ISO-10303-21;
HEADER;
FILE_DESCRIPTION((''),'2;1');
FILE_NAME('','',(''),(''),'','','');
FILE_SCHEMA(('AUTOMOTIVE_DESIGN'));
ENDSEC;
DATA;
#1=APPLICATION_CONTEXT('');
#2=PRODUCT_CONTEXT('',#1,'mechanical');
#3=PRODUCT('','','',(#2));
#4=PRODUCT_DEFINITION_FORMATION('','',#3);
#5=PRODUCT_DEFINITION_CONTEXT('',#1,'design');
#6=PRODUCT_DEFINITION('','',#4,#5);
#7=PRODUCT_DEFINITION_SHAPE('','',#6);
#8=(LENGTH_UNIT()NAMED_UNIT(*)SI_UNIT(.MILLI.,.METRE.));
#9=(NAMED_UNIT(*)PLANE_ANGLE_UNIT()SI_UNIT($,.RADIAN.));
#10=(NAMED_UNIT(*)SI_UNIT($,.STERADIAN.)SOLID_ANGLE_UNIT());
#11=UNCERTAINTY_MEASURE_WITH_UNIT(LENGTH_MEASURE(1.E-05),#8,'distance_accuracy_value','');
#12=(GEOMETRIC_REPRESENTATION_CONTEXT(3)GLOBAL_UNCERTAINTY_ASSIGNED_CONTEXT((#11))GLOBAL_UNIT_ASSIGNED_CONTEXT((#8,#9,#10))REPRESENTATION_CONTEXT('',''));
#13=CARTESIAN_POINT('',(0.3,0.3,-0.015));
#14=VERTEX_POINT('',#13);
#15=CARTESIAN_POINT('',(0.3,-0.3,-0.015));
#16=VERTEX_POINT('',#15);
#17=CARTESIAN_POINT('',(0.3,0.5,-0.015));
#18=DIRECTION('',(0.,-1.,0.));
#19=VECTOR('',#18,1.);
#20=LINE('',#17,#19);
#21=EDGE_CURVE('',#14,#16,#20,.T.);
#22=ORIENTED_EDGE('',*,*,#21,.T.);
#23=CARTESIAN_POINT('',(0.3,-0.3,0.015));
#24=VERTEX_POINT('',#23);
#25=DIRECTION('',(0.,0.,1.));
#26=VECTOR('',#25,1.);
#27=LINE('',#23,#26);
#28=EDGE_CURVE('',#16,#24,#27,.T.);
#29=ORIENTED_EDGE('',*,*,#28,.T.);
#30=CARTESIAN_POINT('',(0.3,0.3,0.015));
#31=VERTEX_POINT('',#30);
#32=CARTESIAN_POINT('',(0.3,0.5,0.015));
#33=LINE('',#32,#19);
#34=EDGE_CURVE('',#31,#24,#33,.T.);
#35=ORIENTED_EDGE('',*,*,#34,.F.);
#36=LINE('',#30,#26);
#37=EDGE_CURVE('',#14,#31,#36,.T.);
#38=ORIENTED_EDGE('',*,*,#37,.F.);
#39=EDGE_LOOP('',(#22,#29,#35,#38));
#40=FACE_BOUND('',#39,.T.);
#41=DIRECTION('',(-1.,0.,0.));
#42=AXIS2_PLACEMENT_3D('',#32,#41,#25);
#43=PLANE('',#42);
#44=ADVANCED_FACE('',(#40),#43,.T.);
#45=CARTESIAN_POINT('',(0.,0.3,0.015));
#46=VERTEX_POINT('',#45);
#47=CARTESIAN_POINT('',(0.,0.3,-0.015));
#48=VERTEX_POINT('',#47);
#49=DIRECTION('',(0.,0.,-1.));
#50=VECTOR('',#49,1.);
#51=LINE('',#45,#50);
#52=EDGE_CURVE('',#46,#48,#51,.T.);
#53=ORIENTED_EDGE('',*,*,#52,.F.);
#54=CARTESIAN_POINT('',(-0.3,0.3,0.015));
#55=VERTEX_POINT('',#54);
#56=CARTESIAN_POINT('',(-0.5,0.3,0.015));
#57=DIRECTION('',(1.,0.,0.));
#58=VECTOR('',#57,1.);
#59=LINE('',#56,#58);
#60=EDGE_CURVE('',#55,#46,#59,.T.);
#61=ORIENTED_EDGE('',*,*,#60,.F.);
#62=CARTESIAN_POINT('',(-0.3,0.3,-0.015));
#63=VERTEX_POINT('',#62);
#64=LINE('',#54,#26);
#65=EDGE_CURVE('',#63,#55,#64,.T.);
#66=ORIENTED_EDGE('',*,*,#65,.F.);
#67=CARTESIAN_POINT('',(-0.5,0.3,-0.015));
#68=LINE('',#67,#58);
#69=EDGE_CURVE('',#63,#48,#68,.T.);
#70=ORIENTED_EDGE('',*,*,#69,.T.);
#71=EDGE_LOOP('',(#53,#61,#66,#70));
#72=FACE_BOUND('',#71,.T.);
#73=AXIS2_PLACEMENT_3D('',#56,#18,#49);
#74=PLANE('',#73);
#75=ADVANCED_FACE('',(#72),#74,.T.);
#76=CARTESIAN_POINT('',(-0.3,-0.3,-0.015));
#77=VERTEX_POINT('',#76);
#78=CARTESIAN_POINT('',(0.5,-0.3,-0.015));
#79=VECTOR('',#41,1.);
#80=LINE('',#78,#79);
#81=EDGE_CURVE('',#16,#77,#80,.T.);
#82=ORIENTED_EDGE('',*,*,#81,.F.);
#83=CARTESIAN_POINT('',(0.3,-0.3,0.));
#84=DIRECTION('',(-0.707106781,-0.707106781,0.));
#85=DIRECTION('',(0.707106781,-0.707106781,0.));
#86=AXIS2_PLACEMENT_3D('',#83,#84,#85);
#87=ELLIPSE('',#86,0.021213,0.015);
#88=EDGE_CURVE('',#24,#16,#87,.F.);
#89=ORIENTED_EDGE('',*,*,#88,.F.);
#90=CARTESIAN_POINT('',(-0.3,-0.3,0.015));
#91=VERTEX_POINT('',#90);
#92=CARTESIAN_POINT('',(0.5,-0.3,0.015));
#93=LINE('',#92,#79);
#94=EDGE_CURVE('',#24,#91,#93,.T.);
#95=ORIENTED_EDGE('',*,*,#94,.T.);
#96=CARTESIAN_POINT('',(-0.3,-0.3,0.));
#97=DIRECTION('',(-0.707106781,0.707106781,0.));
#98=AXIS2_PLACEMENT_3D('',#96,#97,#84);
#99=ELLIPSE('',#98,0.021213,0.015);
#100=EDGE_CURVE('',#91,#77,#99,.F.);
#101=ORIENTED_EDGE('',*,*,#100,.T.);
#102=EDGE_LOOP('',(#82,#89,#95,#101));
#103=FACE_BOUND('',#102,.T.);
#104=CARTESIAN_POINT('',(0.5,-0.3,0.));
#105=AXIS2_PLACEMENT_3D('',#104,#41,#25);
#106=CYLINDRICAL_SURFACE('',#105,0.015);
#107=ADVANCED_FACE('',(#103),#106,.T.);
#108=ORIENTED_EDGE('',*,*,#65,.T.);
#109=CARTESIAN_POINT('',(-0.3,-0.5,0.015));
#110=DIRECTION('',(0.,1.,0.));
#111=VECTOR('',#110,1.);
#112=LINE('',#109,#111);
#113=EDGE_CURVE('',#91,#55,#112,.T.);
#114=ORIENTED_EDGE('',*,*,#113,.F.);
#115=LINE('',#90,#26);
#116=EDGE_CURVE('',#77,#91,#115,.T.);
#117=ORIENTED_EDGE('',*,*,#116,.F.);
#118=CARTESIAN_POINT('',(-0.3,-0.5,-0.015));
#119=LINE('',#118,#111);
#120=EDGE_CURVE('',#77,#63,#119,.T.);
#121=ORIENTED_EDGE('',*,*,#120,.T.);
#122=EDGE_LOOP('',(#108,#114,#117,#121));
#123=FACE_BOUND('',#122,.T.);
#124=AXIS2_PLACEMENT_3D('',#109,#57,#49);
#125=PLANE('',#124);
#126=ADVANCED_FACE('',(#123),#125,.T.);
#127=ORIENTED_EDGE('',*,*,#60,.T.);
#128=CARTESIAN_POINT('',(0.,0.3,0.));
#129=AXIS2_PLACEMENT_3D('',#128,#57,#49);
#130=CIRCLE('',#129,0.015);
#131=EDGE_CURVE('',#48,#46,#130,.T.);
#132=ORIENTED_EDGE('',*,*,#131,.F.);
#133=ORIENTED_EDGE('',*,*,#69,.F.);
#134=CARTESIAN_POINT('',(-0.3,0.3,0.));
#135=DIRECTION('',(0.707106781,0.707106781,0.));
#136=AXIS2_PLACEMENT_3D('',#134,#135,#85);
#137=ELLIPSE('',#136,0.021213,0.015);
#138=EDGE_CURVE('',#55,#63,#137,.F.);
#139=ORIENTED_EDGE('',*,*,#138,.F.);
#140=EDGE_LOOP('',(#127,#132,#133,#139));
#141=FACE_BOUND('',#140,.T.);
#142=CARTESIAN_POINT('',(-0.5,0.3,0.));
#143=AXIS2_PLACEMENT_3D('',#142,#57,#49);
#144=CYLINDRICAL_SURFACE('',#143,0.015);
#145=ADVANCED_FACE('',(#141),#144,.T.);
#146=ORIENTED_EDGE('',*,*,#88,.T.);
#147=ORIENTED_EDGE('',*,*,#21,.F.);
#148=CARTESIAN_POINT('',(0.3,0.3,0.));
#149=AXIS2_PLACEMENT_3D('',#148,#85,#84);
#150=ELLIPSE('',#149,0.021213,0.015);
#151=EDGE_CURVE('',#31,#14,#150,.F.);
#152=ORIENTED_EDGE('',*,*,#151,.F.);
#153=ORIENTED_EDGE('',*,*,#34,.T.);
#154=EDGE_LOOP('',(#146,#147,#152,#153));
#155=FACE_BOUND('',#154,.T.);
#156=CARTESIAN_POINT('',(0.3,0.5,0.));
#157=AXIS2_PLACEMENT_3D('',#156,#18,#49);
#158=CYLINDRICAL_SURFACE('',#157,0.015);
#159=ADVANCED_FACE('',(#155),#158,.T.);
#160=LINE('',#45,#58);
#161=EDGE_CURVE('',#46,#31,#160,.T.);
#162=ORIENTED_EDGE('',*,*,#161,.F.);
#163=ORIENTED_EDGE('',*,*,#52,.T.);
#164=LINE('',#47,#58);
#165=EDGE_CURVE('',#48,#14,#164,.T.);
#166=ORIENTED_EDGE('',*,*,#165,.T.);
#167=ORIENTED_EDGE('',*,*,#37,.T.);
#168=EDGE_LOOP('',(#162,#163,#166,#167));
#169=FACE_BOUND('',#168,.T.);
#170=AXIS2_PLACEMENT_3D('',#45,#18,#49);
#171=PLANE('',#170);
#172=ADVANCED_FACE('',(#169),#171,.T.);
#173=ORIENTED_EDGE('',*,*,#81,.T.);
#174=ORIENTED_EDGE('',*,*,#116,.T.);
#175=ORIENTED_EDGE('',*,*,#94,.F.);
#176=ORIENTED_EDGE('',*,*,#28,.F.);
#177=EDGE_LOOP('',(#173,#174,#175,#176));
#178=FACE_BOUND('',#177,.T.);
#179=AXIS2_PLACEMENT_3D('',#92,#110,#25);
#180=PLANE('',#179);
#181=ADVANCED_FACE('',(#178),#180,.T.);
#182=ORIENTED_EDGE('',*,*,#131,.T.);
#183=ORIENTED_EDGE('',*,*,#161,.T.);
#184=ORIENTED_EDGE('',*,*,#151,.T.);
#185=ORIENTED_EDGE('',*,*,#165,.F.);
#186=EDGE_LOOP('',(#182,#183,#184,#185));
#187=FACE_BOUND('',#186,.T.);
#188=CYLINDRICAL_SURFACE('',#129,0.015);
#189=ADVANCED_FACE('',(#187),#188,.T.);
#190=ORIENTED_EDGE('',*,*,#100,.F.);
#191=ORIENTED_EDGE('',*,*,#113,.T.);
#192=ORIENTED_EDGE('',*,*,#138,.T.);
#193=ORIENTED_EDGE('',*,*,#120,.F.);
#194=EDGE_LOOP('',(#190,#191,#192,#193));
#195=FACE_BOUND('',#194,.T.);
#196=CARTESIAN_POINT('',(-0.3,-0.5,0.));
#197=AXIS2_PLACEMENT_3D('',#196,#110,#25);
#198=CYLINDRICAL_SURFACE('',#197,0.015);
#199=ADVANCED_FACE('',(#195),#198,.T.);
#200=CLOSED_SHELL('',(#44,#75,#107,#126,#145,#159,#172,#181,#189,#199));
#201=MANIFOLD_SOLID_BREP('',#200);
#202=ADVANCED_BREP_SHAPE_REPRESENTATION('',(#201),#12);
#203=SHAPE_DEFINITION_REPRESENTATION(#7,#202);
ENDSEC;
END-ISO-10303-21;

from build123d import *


with BuildPart() as part:
    # Sweep2: sweep along a path in Sketch2
    with BuildLine(Plane.XY) as sweep2_path:
        Line((-0.3, -0.3), (0.3, -0.3))
        Line((0.3, -0.3), (0.3, 0.3))
        Line((0.3, 0.3), (-0.3, 0.3))
        Line((-0.3, 0.3), (-0.3, -0.3))
    # Sketch1 → Sweep2 (sweep)
    with BuildSketch(Plane(origin=(0, 0, 0), x_dir=(0, 0, -1), z_dir=(1, 0, 0))):
        with BuildLine():
            Line((-0.015, 0.3), (0.015, 0.3))
            ThreePointArc((0.015, 0.3), (0, 0.315), (-0.015, 0.3))
        make_face()
    sweep(path=sweep2_path.line, transition=Transition.RIGHT)


solid = part.part
